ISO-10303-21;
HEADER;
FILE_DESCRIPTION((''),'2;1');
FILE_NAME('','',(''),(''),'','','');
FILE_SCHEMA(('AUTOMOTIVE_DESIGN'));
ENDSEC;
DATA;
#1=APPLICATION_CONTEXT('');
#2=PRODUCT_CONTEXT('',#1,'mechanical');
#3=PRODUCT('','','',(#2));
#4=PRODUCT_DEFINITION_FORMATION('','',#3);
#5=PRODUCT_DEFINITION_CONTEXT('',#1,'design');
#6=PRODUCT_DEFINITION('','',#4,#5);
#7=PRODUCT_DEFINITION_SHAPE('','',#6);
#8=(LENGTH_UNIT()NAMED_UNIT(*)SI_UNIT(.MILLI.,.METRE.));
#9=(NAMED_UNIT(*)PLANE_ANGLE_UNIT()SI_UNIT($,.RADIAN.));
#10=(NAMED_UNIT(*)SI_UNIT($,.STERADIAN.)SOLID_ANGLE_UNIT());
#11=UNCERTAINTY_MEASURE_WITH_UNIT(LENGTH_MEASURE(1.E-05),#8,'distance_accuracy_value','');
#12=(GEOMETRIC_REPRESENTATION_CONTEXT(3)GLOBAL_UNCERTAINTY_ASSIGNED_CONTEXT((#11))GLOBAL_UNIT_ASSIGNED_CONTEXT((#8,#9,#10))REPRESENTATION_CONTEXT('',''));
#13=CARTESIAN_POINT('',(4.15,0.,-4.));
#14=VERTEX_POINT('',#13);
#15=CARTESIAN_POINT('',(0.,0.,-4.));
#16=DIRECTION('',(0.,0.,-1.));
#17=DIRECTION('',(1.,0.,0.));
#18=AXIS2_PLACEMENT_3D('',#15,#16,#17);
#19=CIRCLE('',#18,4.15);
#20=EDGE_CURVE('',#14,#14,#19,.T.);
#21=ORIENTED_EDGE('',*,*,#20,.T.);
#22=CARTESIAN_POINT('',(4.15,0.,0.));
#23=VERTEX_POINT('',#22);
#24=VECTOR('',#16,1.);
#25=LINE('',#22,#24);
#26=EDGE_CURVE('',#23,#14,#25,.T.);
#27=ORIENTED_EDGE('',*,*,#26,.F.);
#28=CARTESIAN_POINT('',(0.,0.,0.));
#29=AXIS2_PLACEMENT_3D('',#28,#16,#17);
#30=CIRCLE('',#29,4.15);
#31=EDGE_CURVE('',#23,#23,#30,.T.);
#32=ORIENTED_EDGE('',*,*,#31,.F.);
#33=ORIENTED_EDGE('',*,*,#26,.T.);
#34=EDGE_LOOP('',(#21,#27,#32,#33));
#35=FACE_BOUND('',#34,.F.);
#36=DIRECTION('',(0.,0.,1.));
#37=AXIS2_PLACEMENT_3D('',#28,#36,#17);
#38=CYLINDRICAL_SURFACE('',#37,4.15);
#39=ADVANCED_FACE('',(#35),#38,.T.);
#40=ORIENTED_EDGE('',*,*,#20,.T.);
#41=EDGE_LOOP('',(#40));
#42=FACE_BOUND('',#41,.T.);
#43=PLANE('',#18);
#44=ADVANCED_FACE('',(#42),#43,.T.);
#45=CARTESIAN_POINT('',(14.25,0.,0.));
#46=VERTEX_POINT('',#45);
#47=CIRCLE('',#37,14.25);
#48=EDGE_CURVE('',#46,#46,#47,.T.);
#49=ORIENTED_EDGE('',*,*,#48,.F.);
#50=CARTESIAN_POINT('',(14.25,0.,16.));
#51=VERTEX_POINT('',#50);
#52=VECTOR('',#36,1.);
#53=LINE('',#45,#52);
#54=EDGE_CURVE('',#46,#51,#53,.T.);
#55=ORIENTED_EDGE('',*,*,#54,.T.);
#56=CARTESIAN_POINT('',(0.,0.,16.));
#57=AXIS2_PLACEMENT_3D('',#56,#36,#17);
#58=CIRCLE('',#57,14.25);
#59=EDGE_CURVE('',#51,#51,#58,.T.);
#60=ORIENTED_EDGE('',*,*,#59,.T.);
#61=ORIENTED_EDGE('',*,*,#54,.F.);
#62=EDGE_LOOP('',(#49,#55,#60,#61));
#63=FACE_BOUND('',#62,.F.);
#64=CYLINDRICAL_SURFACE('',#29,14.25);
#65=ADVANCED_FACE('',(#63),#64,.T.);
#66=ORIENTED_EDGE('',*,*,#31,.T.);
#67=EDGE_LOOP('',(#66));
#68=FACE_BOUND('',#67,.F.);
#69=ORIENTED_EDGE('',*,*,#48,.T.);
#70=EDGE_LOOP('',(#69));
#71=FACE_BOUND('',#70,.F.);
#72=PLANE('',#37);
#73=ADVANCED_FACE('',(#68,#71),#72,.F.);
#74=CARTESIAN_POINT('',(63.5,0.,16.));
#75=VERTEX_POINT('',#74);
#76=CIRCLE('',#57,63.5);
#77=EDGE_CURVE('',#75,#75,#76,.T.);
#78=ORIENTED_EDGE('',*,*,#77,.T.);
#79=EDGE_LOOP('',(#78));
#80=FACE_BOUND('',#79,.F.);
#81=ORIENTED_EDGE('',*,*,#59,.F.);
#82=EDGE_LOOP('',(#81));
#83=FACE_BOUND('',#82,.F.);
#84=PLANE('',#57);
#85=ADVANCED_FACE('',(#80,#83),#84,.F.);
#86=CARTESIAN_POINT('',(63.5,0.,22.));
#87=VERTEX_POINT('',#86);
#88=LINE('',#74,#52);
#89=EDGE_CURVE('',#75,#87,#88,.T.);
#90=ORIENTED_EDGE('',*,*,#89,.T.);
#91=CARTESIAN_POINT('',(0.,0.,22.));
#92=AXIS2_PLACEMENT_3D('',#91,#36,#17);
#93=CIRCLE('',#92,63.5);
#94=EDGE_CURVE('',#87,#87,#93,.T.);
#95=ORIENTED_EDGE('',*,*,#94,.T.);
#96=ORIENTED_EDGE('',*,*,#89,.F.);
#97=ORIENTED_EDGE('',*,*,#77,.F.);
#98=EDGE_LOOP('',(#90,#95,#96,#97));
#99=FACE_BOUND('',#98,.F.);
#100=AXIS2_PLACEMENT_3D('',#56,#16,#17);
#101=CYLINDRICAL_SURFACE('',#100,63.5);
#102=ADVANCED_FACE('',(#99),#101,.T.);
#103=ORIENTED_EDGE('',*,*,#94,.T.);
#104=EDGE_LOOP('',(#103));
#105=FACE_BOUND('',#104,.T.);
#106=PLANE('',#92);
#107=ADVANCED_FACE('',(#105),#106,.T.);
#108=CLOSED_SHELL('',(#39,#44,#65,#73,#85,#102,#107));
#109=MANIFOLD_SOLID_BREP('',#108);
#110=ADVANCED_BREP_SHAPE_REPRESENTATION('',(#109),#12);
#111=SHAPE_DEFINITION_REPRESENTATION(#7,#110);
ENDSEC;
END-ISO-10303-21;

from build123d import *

# Parameters (mm, degrees)
F0_R     = 14.25
F0_R_2   = 2.5
F1_DEPTH = 16
F2_DEPTH = 19
F3_R     = 63.5
F4_DEPTH = 6
F5_R     = 4.15
F6_DEPTH = 4


with BuildPart() as f1:
    # F0 (on Top) → F1 (new body)
    with BuildSketch(Plane.XY):
        Circle(F0_R)
        Circle(F0_R_2, mode=Mode.SUBTRACT)
    extrude(amount=F1_DEPTH)

    # F0 (on Top) → F2 (join)
    with BuildSketch(Plane.XY):
        Circle(F0_R_2)
    extrude(amount=F2_DEPTH)

    # F3 (on face) → F4 (join)
    with BuildSketch(Plane.XY.offset(16)):
        Circle(F3_R)
    extrude(amount=F4_DEPTH)

    # F5 (on face) → F6 (join)
    with BuildSketch(Plane(origin=(0, 0, 0), x_dir=(1, 0, 0), z_dir=(0, 0, -1))):
        Circle(F5_R)
    extrude(amount=F6_DEPTH)


solid = f1.part
